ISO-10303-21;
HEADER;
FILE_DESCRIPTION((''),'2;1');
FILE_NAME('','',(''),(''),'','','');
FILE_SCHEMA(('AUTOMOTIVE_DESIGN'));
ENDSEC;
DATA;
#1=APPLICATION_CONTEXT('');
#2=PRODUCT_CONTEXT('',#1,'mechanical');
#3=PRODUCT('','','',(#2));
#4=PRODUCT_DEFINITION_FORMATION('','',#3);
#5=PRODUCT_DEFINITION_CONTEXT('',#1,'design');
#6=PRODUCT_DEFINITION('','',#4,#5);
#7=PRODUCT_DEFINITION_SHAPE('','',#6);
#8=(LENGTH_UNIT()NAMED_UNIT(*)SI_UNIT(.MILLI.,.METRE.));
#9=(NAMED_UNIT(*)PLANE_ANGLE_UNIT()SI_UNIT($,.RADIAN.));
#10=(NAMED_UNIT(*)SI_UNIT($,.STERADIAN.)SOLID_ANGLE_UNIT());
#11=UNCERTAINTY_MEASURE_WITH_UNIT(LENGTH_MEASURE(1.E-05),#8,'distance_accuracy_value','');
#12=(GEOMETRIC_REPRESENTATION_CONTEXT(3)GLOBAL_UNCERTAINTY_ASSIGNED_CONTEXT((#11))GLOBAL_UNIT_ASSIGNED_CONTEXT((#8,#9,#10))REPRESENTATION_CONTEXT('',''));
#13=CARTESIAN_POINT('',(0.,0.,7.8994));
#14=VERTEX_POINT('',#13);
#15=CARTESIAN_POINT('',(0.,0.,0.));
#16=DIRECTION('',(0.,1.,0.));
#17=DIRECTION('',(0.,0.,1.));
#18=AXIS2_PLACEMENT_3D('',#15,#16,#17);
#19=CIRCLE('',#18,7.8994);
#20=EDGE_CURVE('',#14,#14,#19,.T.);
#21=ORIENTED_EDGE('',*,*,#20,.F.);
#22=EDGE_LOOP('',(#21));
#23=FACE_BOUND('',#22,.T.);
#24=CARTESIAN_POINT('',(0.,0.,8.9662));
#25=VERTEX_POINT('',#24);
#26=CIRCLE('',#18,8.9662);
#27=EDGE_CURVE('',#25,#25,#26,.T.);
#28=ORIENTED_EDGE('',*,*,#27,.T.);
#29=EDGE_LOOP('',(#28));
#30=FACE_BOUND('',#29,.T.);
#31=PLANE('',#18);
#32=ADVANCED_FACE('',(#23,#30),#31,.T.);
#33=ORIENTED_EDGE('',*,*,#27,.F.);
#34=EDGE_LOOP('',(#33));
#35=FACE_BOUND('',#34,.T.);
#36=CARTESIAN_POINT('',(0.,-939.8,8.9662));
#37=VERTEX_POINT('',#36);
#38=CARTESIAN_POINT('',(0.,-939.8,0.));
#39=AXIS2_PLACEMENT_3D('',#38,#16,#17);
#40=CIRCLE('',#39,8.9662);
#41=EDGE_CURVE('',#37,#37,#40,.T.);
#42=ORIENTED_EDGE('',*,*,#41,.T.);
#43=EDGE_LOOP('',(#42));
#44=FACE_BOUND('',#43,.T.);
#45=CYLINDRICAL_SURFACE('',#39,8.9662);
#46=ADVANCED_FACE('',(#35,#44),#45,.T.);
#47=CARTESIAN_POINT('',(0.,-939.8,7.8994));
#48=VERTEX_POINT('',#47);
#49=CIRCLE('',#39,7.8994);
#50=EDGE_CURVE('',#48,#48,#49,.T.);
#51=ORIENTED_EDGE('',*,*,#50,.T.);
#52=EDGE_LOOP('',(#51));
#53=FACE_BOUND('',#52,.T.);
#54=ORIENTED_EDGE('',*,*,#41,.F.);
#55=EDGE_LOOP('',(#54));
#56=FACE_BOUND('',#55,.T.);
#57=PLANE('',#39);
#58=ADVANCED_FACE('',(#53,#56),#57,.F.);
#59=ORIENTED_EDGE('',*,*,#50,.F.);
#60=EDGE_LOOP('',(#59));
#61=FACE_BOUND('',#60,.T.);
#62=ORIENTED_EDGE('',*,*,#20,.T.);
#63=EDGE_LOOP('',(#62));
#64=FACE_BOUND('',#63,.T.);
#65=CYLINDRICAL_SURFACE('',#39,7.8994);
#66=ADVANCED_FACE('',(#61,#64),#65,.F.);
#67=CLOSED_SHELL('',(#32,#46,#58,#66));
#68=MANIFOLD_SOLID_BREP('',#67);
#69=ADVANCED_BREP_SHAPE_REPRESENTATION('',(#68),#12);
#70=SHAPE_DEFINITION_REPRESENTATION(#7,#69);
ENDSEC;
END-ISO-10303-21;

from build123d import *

# Parameters (mm, degrees)
SKETCH1_R           = 8.9662
SKETCH1_R_2         = 7.8994
BOSS_EXTRUDE1_DEPTH = 939.8


with BuildPart() as part:
    # Sketch1 → Boss-Extrude1 (new body)
    with BuildSketch(Plane(origin=(0, 0, 0), x_dir=(1, 0, 0), z_dir=(0, 1, 0))):
        Circle(SKETCH1_R)
        Circle(SKETCH1_R_2, mode=Mode.SUBTRACT)
    extrude(amount=-BOSS_EXTRUDE1_DEPTH)


solid = part.part
